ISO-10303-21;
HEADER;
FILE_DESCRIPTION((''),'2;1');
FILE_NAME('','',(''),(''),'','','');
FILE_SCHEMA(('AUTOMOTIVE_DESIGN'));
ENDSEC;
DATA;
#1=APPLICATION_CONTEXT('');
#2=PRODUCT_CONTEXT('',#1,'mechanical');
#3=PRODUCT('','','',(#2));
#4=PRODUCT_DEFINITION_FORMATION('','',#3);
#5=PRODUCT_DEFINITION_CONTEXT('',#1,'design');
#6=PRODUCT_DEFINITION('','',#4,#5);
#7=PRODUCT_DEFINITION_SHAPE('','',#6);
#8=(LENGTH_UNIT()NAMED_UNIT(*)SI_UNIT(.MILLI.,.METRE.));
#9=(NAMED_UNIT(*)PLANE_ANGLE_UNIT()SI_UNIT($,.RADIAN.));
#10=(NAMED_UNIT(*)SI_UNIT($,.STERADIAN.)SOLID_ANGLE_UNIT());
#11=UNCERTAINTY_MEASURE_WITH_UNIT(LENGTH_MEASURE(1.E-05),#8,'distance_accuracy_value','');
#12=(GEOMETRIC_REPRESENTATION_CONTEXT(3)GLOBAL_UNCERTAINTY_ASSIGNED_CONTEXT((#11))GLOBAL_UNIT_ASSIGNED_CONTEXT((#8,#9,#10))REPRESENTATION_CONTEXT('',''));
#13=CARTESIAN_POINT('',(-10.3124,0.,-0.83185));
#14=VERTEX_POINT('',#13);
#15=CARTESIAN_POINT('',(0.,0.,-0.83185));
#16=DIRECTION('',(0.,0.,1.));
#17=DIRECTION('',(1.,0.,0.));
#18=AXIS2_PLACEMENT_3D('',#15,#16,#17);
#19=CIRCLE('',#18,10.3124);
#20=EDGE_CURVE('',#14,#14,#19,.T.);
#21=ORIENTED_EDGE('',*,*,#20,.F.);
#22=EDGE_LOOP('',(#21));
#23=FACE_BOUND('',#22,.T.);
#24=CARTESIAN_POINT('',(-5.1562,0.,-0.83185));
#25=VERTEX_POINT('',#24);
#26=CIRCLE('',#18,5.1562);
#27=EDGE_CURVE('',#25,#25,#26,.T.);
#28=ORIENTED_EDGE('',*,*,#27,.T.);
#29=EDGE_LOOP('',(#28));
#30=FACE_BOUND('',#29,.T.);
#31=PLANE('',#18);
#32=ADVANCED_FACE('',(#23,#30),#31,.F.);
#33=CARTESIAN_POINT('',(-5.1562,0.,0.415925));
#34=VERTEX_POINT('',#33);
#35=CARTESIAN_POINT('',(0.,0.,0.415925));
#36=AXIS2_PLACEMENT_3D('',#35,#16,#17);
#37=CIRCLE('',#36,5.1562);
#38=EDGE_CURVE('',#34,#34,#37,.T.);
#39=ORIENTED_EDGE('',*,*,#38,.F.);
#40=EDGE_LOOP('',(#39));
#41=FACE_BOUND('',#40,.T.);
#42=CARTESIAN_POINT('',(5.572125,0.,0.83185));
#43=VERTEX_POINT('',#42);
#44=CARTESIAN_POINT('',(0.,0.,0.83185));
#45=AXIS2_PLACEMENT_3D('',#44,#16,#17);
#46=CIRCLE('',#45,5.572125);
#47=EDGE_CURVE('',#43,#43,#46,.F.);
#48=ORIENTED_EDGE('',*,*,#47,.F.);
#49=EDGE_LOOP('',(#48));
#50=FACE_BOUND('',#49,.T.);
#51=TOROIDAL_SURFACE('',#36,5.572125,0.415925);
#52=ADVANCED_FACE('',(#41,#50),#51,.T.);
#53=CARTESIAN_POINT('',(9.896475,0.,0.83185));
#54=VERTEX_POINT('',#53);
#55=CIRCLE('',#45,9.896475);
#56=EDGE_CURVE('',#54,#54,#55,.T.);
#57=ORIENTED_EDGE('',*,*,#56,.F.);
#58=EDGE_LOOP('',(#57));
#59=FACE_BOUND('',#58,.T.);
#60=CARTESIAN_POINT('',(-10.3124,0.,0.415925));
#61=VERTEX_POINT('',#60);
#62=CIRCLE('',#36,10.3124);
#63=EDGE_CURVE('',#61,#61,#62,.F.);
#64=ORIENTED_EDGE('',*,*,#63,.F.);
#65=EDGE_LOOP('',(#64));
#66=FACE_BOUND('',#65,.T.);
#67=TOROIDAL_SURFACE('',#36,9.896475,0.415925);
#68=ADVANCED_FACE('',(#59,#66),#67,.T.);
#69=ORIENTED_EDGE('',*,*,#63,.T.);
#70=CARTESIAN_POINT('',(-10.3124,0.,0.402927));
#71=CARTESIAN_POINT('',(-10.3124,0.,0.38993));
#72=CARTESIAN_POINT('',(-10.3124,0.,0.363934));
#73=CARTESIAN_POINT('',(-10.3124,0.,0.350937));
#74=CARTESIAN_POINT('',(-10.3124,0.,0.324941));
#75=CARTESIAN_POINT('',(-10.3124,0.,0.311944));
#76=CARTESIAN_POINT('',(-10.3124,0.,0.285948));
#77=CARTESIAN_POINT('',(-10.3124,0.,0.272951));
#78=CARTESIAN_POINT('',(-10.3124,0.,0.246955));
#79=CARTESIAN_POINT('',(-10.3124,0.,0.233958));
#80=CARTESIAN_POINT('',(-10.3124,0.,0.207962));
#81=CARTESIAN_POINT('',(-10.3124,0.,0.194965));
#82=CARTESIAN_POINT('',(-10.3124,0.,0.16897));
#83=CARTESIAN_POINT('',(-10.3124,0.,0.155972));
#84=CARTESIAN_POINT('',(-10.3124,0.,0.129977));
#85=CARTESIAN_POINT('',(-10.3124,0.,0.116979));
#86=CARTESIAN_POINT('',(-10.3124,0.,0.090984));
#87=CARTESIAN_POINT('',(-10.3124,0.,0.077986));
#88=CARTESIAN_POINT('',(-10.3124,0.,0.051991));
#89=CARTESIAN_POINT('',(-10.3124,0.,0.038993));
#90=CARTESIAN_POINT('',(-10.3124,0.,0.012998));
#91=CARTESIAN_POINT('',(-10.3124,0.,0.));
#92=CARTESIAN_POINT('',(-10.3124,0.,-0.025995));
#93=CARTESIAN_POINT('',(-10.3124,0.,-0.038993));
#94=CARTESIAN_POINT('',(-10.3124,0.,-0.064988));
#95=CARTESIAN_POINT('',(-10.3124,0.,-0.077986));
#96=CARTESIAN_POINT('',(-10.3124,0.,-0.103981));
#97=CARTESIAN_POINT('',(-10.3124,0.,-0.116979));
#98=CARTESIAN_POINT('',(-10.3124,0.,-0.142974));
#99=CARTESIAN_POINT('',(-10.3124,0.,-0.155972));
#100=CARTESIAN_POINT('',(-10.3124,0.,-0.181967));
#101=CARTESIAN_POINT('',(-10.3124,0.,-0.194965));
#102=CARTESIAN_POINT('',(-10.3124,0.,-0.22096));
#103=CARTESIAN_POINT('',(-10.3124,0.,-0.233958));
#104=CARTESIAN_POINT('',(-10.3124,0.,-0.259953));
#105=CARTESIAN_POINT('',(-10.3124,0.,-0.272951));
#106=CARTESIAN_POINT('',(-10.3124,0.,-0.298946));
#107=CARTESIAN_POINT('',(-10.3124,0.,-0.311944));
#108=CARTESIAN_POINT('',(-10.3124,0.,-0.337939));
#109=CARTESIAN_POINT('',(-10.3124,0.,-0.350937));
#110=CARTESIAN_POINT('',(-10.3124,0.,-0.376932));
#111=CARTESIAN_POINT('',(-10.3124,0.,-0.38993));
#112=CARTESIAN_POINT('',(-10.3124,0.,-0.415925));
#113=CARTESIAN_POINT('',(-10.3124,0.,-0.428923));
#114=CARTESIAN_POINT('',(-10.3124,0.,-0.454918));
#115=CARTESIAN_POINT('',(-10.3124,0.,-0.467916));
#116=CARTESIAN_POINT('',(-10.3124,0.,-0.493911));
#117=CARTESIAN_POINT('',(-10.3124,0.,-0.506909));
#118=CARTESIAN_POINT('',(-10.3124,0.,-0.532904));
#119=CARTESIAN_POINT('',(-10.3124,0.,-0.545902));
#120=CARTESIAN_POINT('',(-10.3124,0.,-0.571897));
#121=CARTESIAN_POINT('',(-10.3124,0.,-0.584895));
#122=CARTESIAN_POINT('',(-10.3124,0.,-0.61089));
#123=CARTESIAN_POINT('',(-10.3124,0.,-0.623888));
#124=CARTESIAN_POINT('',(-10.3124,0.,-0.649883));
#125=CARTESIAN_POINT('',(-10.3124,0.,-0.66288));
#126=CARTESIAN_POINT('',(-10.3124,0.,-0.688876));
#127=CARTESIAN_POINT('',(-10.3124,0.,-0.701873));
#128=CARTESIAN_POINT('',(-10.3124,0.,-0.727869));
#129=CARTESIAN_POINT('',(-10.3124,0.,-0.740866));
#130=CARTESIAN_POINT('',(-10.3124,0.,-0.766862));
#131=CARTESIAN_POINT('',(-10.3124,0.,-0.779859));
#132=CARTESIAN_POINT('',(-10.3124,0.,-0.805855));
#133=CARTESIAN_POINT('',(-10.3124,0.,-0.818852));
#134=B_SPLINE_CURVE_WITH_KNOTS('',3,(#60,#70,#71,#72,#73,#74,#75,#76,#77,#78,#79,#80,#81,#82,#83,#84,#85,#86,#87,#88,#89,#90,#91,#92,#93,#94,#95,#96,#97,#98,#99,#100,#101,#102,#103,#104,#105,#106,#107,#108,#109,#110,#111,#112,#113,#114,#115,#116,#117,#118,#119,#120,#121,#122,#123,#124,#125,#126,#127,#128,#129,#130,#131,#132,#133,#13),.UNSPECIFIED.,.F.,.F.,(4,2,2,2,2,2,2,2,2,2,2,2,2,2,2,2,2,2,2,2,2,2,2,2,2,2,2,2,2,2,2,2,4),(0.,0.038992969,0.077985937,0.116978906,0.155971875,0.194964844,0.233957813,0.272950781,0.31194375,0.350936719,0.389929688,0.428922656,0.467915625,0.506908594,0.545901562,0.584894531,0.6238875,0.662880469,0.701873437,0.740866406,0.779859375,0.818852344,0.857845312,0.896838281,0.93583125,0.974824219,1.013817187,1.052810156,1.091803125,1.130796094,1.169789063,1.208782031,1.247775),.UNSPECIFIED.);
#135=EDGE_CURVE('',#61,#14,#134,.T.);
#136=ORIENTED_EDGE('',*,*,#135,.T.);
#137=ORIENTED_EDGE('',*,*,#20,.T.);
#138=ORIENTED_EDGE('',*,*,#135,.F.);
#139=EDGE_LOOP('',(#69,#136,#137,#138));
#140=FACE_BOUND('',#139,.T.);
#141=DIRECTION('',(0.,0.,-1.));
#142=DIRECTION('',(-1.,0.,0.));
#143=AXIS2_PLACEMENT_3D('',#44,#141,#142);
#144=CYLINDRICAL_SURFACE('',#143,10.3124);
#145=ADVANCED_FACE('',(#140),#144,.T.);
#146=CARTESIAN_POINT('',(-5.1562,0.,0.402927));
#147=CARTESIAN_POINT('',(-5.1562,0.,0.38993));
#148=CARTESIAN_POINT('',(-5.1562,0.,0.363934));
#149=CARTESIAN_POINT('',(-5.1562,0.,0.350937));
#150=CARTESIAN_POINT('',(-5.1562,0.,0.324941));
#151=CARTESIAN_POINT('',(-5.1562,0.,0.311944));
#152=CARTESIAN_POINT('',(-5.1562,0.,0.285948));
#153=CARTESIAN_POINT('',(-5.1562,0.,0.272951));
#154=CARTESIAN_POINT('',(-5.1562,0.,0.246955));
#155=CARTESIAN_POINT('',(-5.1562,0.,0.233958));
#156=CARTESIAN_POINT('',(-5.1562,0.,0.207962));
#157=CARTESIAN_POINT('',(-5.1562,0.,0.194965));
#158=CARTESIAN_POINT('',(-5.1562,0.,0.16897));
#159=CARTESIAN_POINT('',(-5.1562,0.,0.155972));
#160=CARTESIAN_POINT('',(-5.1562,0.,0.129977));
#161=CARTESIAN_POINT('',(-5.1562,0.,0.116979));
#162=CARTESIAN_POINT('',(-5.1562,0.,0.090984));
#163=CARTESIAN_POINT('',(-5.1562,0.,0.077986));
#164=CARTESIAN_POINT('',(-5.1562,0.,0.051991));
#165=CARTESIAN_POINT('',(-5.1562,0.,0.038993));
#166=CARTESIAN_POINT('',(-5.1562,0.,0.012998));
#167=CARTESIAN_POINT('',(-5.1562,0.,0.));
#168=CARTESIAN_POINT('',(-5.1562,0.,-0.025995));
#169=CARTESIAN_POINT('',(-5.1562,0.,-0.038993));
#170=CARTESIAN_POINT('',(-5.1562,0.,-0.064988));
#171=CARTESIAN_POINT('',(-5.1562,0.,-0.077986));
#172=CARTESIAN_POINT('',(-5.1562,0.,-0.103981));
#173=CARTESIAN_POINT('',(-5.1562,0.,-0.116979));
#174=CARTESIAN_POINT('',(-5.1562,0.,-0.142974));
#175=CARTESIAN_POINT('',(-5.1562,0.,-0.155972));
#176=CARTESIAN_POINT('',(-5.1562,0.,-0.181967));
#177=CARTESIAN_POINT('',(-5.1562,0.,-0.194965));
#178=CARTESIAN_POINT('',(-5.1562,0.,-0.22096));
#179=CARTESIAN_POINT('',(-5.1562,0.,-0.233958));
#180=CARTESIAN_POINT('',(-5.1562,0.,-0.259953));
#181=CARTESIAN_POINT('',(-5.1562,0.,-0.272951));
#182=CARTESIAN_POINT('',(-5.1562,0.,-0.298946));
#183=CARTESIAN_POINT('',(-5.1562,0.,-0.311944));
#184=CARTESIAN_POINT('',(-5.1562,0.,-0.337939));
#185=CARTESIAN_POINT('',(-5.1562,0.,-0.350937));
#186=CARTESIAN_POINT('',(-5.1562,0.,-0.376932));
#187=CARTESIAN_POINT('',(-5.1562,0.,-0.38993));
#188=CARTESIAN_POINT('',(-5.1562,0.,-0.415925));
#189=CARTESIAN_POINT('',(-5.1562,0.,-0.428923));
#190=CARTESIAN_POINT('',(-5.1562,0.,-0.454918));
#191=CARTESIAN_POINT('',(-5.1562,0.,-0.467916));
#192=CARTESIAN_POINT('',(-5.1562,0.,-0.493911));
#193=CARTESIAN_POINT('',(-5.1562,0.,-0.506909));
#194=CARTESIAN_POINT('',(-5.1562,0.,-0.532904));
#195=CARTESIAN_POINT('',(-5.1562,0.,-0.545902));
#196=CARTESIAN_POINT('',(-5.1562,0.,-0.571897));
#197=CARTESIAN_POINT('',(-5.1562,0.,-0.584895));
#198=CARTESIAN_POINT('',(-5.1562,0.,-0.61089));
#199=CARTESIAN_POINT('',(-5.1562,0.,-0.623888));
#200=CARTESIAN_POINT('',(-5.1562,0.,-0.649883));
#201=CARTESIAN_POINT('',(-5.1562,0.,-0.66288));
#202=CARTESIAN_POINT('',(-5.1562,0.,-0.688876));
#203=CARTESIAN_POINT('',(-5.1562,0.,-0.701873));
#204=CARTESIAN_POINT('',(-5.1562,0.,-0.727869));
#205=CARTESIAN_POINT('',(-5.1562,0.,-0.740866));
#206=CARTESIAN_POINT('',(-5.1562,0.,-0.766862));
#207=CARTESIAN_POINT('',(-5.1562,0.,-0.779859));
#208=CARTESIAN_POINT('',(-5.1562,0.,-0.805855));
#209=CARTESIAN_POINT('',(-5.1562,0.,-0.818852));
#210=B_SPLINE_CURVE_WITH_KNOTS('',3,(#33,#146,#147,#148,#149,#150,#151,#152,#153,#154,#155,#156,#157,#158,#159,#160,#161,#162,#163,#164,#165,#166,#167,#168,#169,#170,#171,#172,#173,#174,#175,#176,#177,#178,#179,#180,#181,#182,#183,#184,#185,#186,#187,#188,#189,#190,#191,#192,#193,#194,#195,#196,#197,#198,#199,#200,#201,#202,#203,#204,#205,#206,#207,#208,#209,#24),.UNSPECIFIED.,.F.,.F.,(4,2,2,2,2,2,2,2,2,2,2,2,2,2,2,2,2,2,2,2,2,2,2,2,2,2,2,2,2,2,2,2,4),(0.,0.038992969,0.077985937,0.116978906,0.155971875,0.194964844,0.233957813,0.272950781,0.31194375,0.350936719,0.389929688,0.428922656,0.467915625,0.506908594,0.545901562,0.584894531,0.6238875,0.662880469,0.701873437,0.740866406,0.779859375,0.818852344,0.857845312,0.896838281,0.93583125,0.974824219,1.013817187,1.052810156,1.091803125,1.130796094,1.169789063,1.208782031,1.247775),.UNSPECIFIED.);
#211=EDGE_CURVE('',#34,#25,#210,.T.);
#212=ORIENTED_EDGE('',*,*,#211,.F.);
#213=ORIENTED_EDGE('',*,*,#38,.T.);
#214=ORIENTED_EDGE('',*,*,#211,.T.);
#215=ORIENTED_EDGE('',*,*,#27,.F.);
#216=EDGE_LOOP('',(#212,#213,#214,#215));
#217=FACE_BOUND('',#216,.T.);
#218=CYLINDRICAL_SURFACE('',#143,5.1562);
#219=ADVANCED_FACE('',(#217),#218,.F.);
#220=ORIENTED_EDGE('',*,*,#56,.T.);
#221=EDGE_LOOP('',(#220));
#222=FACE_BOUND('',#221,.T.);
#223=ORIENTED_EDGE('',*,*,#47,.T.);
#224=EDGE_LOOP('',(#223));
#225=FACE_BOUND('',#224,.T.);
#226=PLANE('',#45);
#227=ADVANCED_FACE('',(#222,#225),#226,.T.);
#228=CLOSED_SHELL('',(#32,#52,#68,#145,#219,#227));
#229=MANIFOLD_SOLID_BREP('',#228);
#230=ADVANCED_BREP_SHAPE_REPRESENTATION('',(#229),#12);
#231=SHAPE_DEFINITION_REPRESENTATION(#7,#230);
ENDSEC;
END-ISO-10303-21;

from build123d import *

# Parameters (mm, degrees)
BOSS_EXTRUDE1_DEPTH      = 0.83185
BOSS_EXTRUDE1_DEPTH_BACK = 0.83185
SKETCH3_R                = 10.3124
SKETCH3_R_2              = 5.1562
FILLET1_R                = 0.415925


with BuildPart() as part:
    # Sketch3 → Boss-Extrude1 (new, two sides: drawn at the far end of the back side and taken through both)
    with BuildSketch(Plane.XY.offset(-BOSS_EXTRUDE1_DEPTH_BACK)):
        with Locations(Location((0, 0, 0), (0, 0, 180))):
            Circle(SKETCH3_R)
        with Locations(Location((0, 0, 0), (0, 0, 180))):
            Circle(SKETCH3_R_2, mode=Mode.SUBTRACT)
    extrude(amount=BOSS_EXTRUDE1_DEPTH + BOSS_EXTRUDE1_DEPTH_BACK)

    # Fillet1
    fillet1_edges = [part.edges().sort_by_distance(p)[0] for p in [
        (10.3124, 0, 0.83185),
        (5.1562, 0, 0.83185),
    ]]
    fillet(fillet1_edges, radius=FILLET1_R)


solid = part.part
